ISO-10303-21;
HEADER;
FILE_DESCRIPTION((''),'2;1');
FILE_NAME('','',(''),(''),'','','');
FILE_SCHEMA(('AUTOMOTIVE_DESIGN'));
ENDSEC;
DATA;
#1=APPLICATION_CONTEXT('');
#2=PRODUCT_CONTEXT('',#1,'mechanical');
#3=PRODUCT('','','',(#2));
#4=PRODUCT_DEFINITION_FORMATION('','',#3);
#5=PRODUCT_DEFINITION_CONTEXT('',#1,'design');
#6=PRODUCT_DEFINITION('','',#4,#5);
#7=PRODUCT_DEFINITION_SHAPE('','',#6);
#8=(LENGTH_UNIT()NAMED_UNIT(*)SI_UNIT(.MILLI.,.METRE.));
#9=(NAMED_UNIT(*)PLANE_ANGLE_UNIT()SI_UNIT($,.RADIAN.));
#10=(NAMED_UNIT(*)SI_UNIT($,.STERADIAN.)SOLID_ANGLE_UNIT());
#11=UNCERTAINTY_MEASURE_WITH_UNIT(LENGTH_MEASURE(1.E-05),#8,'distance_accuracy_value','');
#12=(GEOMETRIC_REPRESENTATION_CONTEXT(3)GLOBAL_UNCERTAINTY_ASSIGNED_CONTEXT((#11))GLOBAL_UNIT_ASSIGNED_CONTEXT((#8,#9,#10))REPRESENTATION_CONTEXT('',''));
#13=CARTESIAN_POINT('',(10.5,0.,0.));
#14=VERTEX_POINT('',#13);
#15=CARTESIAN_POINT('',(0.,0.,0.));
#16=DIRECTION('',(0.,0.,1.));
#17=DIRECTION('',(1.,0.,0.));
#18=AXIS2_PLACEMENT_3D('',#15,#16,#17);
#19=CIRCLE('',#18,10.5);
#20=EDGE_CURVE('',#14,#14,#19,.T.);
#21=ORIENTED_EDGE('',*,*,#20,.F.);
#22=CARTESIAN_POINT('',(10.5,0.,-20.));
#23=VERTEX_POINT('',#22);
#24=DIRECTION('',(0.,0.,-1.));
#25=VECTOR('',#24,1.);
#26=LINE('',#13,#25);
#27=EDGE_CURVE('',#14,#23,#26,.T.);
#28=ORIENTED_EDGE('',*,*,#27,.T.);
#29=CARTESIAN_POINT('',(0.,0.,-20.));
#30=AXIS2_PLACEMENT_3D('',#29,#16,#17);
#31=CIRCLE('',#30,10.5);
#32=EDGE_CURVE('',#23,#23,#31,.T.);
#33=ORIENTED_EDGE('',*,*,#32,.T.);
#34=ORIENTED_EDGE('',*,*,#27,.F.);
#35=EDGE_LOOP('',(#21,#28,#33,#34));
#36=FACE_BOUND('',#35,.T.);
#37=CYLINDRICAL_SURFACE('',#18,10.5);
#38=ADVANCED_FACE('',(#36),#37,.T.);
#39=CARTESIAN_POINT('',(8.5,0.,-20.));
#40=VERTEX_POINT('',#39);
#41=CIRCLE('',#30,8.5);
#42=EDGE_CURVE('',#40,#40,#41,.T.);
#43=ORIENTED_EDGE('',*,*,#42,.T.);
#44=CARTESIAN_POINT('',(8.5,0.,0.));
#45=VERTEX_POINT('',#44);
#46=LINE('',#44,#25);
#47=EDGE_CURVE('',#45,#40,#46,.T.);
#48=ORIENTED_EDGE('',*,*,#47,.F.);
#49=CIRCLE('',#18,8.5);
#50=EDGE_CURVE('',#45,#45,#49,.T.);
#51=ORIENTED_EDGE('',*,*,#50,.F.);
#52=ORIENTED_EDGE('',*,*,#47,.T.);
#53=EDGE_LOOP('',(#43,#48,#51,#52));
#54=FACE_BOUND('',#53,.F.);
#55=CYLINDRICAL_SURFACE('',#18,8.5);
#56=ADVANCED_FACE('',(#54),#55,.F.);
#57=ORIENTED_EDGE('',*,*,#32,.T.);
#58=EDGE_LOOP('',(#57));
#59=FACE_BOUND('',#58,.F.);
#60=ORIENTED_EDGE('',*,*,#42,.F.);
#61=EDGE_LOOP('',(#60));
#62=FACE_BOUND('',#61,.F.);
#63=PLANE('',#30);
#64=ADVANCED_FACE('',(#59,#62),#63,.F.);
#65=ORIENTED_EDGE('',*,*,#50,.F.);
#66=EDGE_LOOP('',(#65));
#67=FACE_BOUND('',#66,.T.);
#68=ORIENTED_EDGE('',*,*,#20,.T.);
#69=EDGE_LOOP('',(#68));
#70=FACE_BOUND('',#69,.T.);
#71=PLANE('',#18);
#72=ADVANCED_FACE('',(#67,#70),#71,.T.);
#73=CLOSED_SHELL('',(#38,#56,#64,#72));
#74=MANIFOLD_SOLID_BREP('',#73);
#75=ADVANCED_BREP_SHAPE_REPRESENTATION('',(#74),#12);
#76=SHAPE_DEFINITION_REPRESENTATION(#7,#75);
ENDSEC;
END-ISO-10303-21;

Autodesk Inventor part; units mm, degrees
ref_plane "YZ Plane" through (0, 0, 0) normal (1, 0, 0) x (0, 1, 0)
ref_plane "XZ Plane" through (0, 0, 0) normal (0, 1, 0) x (-1, 0, 0)
ref_plane "XY Plane" through (0, 0, 0) normal (0, 0, 1) x (1, 0, 0)
sketch "Sketch11" plane through (0, 0, 0) normal (0, 0, 1) x (1, 0, 0)
  circle A0 centre (0, 0) radius 10.5
  circle A1 centre (0, 0) radius 8.5
  dimension "d187" = 21
  dimension "d188" = 2
extrude "Extrusion5" add sketch "Sketch11" against normal blind 20
properties part number "TZS 1757 FDS 1200 way tube 7" material "Stainless Steel"
